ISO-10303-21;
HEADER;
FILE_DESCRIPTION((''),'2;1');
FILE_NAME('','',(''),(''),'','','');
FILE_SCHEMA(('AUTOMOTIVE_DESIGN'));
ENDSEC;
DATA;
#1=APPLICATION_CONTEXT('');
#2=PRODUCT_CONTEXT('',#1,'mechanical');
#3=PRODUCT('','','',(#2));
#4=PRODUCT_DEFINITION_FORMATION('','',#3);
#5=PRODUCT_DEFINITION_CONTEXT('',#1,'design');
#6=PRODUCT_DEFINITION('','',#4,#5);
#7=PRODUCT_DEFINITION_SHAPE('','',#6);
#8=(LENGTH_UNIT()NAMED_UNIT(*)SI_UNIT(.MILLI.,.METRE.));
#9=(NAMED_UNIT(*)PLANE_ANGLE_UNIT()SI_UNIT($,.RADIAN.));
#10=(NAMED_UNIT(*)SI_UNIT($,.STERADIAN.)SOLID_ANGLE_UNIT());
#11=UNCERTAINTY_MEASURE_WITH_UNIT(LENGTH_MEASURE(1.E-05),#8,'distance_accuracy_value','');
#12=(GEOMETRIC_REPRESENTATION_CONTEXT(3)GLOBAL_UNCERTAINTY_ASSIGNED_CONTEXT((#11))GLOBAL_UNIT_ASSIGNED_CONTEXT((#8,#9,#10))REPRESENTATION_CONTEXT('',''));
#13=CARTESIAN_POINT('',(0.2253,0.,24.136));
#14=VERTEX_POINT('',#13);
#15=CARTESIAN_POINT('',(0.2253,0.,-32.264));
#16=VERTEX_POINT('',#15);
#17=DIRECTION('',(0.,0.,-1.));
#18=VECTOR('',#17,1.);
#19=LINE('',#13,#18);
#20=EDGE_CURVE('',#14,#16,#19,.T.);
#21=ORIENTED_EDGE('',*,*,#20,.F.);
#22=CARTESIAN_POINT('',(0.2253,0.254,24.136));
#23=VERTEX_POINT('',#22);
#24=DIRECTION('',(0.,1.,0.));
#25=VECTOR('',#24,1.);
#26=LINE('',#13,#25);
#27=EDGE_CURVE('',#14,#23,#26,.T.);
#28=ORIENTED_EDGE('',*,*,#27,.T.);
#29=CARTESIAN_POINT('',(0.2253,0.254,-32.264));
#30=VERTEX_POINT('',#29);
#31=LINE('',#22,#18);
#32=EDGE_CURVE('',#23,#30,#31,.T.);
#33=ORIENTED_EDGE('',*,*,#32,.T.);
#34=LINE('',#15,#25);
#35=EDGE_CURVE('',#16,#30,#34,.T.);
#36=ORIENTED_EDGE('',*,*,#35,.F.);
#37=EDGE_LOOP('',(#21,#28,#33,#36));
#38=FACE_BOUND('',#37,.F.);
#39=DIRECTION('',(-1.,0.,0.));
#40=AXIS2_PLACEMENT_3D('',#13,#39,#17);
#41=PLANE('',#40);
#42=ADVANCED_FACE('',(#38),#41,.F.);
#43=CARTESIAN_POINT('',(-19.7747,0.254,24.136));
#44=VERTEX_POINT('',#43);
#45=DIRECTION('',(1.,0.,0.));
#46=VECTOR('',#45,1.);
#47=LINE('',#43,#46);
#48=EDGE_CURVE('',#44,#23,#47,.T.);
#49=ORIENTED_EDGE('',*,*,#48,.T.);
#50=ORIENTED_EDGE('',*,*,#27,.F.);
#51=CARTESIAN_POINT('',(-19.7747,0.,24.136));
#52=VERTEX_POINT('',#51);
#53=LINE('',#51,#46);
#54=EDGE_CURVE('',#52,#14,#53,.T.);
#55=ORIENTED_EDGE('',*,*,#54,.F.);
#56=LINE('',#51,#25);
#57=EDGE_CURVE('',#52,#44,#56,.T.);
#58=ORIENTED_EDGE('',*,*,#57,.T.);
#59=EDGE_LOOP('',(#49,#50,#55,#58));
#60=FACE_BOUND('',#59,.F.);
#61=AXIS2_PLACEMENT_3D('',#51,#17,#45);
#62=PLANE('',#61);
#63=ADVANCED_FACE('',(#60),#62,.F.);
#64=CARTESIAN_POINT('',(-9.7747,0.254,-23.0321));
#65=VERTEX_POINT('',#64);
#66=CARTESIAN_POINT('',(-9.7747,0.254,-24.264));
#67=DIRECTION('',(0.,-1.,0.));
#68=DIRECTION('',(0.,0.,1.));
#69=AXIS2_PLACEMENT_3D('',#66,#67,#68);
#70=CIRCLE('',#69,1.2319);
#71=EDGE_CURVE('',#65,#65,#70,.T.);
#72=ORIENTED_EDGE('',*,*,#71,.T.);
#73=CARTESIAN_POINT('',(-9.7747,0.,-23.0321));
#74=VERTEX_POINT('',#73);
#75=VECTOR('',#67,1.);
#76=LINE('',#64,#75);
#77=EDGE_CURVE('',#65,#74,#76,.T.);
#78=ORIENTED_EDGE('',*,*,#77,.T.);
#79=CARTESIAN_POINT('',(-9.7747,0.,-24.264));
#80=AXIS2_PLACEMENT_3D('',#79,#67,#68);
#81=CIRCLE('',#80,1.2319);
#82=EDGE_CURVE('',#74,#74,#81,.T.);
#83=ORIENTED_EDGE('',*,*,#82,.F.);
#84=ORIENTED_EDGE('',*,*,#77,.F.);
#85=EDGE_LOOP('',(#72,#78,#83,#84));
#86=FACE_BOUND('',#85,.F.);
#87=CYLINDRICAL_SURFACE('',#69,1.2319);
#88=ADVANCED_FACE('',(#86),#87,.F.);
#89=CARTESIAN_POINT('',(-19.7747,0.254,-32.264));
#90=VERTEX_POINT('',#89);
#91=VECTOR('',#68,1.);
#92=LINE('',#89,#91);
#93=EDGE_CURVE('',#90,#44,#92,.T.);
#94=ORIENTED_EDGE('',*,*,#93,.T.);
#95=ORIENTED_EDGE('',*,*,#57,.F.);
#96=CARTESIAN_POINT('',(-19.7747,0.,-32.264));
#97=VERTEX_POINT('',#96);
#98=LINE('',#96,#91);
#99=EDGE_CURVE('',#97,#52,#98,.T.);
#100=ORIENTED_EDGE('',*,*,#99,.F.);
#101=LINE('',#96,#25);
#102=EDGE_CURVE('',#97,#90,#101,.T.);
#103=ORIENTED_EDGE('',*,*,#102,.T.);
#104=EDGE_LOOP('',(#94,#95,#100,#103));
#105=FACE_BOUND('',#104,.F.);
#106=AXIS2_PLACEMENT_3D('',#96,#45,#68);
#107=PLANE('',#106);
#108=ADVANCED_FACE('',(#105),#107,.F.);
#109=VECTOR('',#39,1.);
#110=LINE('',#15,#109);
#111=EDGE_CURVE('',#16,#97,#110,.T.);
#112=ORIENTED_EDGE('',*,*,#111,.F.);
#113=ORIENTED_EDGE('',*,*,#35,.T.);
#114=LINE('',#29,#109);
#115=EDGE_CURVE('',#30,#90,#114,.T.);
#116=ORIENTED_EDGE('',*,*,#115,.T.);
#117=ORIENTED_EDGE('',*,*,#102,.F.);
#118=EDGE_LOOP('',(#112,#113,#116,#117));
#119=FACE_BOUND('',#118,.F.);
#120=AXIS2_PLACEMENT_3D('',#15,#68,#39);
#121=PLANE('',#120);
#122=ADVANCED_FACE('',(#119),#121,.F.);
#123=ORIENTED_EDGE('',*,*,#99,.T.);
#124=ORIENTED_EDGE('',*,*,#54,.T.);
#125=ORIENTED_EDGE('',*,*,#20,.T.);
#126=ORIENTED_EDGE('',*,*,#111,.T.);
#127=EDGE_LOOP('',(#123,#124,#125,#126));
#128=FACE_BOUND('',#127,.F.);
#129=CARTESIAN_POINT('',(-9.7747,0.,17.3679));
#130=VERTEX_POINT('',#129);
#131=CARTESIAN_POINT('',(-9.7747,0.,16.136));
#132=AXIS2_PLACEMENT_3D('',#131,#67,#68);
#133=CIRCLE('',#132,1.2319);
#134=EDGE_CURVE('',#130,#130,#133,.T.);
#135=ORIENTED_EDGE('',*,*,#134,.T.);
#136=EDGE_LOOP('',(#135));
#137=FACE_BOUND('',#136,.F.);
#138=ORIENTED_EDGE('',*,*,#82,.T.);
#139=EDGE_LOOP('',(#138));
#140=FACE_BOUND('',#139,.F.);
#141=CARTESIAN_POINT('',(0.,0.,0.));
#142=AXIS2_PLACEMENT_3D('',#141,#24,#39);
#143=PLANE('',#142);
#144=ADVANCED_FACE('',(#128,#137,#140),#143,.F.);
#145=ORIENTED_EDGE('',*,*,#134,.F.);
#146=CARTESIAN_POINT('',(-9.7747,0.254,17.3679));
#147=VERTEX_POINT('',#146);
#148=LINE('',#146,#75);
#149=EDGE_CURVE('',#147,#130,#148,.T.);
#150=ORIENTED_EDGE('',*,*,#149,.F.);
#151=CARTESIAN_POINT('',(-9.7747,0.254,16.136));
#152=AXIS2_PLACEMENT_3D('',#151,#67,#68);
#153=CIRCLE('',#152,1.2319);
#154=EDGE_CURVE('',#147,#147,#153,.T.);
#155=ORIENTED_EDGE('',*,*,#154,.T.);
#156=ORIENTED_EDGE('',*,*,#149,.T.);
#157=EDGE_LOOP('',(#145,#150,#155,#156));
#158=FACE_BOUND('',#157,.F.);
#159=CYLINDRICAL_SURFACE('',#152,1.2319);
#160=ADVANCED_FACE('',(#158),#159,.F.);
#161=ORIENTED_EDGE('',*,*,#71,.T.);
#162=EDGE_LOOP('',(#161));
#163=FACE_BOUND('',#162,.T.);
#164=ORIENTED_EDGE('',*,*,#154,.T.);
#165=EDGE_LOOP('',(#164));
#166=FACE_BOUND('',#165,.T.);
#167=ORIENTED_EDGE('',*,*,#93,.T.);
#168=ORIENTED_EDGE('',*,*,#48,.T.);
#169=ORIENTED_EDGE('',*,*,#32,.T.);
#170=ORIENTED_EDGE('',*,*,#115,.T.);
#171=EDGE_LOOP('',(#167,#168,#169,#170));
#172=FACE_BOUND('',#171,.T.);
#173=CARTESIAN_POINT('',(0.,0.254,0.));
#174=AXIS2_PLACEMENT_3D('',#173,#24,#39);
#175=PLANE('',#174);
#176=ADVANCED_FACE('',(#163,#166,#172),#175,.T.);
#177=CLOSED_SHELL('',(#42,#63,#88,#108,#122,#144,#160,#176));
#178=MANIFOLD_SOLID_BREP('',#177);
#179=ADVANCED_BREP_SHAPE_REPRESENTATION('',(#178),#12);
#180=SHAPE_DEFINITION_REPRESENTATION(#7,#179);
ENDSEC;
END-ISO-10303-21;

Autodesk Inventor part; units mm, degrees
ref_plane "YZ Plane" through (0, 0, 0) normal (1, 0, 0) x (0, 1, 0)
ref_plane "XZ Plane" through (0, 0, 0) normal (0, 1, 0) x (-1, 0, 0)
ref_plane "XY Plane" through (0, 0, 0) normal (0, 0, 1) x (1, 0, 0)
sketch "Sketch1" plane through (0, 0, 0) normal (0, 1, 0) x (-1, 0, 0)
  line L0 (19.7747, 24.136) -> (-0.2253, 24.136)
  line L1 (-0.2253, 24.136) -> (-0.2253, -32.264)
  line L2 (-0.2253, -32.264) -> (19.7747, -32.264)
  line L3 (19.7747, -32.264) -> (19.7747, 24.136)
  point P0 (0, 0)
  dimension "d0" = 56.4
  dimension "d1" = 20
extrude "Extrusion1" add sketch "Sketch1" along normal blind 0.254
sketch "Sketch2" plane through (0, 0.254, 0) normal (0, 1, 0) x (1, 0, 0)
  line L0 (-19.7747, 32.264) -> (-19.7747, -24.136) projected
  line L1 (-19.7747, -24.136) -> (0.2253, -24.136) projected
  line L2 (0.2253, 32.264) -> (-19.7747, 32.264) projected
  point P0 (0, 0)
  point P1 (-9.7747, -16.136)
  point P2 (-9.7747, 24.264)
  dimension "d4" = 10
  dimension "d5" = 0
  dimension "d6" = 8
  dimension "d7" = 8
hole "Hole1" at (-9.7747, 0.254, 16.136) at (-9.7747, 0.254, -24.264) direction (0, -1, 0) diameter 2.4638 end through all
properties part number "Molex Flexible GNSS Antenna"
